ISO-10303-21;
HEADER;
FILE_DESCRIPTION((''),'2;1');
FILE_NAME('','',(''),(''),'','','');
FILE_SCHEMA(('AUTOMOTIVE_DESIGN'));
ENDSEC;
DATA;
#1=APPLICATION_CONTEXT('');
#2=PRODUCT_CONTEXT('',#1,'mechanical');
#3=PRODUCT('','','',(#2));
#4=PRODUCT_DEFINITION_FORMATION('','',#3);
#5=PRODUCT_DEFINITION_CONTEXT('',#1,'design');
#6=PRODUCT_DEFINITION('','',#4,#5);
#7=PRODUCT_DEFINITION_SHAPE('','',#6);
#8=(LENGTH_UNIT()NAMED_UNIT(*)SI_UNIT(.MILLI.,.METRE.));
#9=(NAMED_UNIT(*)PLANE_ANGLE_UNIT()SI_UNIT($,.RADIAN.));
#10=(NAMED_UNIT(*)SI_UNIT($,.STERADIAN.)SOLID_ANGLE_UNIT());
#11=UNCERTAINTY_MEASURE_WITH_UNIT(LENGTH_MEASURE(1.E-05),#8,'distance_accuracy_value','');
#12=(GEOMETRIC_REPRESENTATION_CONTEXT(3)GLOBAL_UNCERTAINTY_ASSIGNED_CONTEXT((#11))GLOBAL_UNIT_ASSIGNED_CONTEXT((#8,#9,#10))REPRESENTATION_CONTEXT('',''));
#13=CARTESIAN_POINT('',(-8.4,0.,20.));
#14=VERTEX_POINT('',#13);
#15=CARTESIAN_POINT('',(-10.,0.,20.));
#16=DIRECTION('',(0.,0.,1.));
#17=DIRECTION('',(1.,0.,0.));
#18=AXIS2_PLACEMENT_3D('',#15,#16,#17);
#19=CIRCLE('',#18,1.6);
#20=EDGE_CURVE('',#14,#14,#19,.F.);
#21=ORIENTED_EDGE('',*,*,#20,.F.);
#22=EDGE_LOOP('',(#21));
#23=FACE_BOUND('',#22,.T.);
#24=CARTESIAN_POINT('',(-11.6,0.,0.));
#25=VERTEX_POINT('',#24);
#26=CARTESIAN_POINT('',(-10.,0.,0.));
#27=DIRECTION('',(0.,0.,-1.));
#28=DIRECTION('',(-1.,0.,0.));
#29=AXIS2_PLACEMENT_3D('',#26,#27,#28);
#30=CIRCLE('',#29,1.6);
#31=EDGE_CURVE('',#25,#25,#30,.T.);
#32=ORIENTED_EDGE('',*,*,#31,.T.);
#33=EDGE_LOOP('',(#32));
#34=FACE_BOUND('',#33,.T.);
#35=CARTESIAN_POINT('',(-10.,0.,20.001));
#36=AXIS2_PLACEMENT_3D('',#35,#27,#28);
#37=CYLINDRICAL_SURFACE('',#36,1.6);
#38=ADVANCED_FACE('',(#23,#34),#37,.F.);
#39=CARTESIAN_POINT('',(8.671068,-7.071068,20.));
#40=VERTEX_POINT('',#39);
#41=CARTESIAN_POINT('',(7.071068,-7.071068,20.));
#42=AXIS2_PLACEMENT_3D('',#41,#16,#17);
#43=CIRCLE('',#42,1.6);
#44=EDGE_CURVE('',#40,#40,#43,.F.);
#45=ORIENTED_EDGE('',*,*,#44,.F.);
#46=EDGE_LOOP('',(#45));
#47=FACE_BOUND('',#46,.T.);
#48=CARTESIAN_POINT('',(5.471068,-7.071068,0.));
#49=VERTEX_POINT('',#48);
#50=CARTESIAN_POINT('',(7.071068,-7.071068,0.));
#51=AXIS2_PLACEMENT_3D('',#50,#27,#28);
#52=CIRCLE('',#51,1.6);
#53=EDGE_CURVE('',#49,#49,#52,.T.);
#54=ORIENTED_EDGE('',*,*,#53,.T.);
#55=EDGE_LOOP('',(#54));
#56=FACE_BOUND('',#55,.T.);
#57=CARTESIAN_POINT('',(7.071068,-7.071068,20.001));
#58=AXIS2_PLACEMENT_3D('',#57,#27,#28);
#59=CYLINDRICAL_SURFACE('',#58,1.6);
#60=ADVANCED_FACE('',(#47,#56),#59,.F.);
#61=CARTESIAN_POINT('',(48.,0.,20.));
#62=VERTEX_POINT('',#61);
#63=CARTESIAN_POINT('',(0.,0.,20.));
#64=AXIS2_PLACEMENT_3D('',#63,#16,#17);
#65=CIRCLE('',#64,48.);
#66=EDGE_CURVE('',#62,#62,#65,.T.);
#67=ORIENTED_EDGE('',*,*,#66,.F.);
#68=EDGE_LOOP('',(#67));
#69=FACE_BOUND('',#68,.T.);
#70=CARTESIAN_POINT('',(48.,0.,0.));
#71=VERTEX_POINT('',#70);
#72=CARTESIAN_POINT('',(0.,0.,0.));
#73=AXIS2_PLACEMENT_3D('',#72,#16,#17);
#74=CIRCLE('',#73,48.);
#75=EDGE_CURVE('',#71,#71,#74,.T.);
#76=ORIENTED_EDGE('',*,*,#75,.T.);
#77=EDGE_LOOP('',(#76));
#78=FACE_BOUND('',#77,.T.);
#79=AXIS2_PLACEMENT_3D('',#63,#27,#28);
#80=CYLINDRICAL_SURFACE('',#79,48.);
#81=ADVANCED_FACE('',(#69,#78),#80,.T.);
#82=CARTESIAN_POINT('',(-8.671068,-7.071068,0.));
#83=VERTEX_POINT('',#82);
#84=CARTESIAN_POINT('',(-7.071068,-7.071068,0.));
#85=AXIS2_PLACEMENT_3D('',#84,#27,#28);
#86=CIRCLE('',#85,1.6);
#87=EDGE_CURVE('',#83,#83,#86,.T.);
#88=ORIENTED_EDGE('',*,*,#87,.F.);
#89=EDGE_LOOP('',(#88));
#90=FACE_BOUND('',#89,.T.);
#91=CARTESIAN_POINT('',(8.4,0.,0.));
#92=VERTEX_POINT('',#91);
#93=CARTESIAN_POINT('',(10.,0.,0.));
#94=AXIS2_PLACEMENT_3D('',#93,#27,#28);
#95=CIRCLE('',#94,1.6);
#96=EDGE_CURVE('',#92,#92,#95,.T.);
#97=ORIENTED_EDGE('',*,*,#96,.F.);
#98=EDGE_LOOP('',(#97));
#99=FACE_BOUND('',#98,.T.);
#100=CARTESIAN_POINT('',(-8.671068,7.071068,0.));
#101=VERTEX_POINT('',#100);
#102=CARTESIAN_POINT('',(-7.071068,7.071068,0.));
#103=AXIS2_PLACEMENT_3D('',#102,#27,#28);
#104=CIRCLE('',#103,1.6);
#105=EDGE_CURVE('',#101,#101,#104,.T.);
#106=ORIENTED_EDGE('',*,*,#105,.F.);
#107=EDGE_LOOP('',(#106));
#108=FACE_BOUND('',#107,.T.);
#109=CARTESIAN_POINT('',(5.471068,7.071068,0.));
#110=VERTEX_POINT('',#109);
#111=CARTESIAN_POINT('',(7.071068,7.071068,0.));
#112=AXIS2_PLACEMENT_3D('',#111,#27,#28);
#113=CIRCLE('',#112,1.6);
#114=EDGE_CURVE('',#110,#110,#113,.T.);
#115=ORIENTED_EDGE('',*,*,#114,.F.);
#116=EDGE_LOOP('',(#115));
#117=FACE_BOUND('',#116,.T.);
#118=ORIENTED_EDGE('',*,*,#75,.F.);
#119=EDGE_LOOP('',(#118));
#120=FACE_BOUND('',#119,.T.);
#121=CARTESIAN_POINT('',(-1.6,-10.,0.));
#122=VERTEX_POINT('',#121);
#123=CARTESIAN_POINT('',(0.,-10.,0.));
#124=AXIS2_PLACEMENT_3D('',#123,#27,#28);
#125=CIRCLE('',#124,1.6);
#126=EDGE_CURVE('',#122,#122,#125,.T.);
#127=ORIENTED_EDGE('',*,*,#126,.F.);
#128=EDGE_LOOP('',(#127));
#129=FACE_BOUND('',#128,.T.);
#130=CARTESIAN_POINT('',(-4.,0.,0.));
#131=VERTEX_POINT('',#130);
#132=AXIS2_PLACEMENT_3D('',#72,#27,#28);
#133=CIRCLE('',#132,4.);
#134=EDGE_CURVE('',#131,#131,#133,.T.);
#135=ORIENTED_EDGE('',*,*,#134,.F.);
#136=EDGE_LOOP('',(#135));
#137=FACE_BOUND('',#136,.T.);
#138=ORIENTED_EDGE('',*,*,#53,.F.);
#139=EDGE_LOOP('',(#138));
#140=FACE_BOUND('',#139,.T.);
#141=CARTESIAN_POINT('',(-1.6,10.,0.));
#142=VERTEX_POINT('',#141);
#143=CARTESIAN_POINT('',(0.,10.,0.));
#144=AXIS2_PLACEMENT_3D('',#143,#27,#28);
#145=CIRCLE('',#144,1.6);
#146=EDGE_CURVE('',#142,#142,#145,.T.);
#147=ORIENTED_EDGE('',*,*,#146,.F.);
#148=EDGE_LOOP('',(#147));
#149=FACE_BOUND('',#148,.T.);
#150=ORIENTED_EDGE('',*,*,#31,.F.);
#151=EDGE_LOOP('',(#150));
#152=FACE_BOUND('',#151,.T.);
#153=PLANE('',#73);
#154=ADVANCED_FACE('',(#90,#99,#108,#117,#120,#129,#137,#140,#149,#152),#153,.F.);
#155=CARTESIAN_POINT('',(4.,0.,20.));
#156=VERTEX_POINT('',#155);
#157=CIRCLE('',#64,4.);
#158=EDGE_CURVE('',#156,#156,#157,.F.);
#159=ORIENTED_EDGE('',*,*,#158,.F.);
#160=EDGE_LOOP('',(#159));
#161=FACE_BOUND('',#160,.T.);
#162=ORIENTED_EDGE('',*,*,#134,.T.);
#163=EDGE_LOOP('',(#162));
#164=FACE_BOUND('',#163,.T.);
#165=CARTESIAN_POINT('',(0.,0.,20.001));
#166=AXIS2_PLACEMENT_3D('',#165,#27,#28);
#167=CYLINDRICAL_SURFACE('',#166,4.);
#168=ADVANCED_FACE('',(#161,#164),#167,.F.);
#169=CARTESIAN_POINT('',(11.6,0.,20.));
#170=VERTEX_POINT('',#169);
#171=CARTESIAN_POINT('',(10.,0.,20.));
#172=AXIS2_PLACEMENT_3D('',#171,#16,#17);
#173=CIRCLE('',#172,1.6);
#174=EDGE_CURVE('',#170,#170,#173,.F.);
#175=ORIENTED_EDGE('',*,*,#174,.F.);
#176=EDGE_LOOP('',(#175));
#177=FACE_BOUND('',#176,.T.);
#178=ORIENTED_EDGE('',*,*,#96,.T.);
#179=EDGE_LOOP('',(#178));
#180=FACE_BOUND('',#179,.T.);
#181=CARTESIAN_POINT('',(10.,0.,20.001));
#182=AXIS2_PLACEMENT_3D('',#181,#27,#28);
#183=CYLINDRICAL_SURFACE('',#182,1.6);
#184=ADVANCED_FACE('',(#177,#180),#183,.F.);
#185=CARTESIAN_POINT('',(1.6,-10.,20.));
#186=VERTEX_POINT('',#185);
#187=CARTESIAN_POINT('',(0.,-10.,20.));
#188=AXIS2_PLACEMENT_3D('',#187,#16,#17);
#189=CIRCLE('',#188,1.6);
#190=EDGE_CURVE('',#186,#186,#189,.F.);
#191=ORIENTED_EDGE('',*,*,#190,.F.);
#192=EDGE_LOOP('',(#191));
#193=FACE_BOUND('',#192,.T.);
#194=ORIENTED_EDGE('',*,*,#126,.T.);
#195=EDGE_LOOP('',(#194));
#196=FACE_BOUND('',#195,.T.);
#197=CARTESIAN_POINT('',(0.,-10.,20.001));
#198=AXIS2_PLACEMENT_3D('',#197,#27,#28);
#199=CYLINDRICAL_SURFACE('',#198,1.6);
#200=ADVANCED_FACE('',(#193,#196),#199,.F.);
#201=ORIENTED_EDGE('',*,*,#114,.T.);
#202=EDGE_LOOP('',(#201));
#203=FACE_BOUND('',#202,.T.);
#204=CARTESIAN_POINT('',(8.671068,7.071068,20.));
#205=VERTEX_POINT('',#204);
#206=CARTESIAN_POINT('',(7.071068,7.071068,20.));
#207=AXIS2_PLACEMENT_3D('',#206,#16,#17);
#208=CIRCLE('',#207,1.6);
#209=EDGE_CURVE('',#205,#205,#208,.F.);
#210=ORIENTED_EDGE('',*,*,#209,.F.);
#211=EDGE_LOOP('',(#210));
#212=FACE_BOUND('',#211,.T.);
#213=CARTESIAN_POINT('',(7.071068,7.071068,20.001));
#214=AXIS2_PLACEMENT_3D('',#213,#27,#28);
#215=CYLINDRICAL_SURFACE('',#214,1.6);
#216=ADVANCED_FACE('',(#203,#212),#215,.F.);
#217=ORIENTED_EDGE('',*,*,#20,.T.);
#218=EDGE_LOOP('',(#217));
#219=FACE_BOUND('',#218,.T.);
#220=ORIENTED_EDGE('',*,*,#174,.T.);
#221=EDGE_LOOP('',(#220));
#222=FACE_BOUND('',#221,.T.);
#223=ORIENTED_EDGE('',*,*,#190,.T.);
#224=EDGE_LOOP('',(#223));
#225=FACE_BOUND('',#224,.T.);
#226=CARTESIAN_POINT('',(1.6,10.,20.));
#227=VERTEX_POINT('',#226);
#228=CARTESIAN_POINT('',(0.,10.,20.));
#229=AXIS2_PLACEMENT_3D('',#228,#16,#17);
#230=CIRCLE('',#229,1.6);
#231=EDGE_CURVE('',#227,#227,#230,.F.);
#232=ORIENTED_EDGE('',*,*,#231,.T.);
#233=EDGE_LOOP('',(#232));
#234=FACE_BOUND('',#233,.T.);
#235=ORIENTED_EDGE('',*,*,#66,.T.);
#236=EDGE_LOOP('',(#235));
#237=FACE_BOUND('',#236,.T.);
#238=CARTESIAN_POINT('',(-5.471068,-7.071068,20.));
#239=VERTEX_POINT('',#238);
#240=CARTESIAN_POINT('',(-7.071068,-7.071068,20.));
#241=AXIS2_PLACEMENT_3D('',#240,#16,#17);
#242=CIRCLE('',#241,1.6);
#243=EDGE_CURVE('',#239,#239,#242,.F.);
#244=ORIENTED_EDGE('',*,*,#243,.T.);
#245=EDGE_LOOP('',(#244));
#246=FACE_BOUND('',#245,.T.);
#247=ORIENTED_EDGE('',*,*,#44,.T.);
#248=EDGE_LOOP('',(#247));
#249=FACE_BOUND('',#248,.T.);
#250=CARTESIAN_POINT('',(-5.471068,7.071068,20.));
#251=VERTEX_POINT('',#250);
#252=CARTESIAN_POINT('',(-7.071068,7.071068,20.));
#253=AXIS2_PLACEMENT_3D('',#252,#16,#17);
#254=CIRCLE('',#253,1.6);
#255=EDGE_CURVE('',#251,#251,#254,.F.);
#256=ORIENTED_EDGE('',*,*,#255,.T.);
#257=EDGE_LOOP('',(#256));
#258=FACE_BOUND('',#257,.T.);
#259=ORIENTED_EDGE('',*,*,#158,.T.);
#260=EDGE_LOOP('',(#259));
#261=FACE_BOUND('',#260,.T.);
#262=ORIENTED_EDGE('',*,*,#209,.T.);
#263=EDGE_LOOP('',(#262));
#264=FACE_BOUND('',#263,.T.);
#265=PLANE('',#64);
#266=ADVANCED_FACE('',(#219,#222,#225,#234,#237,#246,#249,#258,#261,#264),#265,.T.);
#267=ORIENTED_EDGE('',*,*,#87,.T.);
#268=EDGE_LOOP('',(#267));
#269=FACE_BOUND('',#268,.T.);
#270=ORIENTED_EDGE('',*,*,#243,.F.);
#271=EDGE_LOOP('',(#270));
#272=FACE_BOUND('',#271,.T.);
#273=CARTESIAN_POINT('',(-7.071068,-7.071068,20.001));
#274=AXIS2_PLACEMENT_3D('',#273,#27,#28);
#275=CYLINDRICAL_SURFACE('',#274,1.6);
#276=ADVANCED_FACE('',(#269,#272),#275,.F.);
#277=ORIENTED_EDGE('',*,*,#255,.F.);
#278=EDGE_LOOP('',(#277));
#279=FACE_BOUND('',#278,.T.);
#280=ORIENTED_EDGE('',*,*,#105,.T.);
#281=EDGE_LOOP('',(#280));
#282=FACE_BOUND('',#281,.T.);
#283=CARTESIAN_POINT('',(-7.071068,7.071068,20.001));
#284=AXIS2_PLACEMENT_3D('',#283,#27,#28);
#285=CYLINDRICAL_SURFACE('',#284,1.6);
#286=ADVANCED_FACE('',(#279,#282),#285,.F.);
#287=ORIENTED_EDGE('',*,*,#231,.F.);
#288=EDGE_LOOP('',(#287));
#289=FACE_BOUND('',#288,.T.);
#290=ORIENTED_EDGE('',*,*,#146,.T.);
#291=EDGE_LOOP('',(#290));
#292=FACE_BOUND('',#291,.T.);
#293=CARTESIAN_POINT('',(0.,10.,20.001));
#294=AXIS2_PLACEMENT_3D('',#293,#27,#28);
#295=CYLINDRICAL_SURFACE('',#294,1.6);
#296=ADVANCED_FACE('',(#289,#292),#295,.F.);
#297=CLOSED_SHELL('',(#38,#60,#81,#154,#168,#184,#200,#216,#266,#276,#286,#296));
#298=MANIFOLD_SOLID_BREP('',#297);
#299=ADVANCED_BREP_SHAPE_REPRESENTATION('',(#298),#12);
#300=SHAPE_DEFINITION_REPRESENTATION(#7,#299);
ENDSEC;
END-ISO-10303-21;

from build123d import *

# Parameters (mm, degrees)
SKETCH1_R           = 48
BOSS_EXTRUDE1_DEPTH = 20
CUT_EXTRUDE1_REACH  = 72.767
SKETCH2_R           = 4
SKETCH2_R_2         = 1.6


with BuildPart() as part:
    # Sketch1 → Boss-Extrude1 (new body)
    with BuildSketch(Plane.XY):
        Circle(SKETCH1_R)
    extrude(amount=BOSS_EXTRUDE1_DEPTH)

    # Sketch2 → Cut-Extrude1 (cut, up to next)
    with BuildSketch(Plane(origin=(0, 0, 0), x_dir=(-1, 0, 0), z_dir=(0, 0, -1)), mode=Mode.PRIVATE) as cut_extrude1_sk1:
        Circle(SKETCH2_R)
    cut_extrude1_tool1 = extrude(cut_extrude1_sk1.sketch, amount=-CUT_EXTRUDE1_REACH, mode=Mode.PRIVATE) & part.part
    # Sketch2 → Cut-Extrude1 (cut, up to next)
    with BuildSketch(Plane(origin=(0, 0, 0), x_dir=(-1, 0, 0), z_dir=(0, 0, -1)), mode=Mode.PRIVATE) as cut_extrude1_sk2:
        with Locations((0, 10)):
            Circle(SKETCH2_R_2)
    cut_extrude1_tool2 = extrude(cut_extrude1_sk2.sketch, amount=-CUT_EXTRUDE1_REACH, mode=Mode.PRIVATE) & part.part
    # Sketch2 → Cut-Extrude1 (cut, up to next)
    with BuildSketch(Plane(origin=(0, 0, 0), x_dir=(-1, 0, 0), z_dir=(0, 0, -1)), mode=Mode.PRIVATE) as cut_extrude1_sk3:
        with Locations((7.071067812, 7.071067812)):
            Circle(SKETCH2_R_2)
    cut_extrude1_tool3 = extrude(cut_extrude1_sk3.sketch, amount=-CUT_EXTRUDE1_REACH, mode=Mode.PRIVATE) & part.part
    # Sketch2 → Cut-Extrude1 (cut, up to next)
    with BuildSketch(Plane(origin=(0, 0, 0), x_dir=(-1, 0, 0), z_dir=(0, 0, -1)), mode=Mode.PRIVATE) as cut_extrude1_sk4:
        with Locations((10, 0)):
            Circle(SKETCH2_R_2)
    cut_extrude1_tool4 = extrude(cut_extrude1_sk4.sketch, amount=-CUT_EXTRUDE1_REACH, mode=Mode.PRIVATE) & part.part
    # Sketch2 → Cut-Extrude1 (cut, up to next)
    with BuildSketch(Plane(origin=(0, 0, 0), x_dir=(-1, 0, 0), z_dir=(0, 0, -1)), mode=Mode.PRIVATE) as cut_extrude1_sk5:
        with Locations((7.071067812, -7.071067812)):
            Circle(SKETCH2_R_2)
    cut_extrude1_tool5 = extrude(cut_extrude1_sk5.sketch, amount=-CUT_EXTRUDE1_REACH, mode=Mode.PRIVATE) & part.part
    # Sketch2 → Cut-Extrude1 (cut, up to next)
    with BuildSketch(Plane(origin=(0, 0, 0), x_dir=(-1, 0, 0), z_dir=(0, 0, -1)), mode=Mode.PRIVATE) as cut_extrude1_sk6:
        with Locations((0, -10)):
            Circle(SKETCH2_R_2)
    cut_extrude1_tool6 = extrude(cut_extrude1_sk6.sketch, amount=-CUT_EXTRUDE1_REACH, mode=Mode.PRIVATE) & part.part
    # Sketch2 → Cut-Extrude1 (cut, up to next)
    with BuildSketch(Plane(origin=(0, 0, 0), x_dir=(-1, 0, 0), z_dir=(0, 0, -1)), mode=Mode.PRIVATE) as cut_extrude1_sk7:
        with Locations((-7.071067812, -7.071067812)):
            Circle(SKETCH2_R_2)
    cut_extrude1_tool7 = extrude(cut_extrude1_sk7.sketch, amount=-CUT_EXTRUDE1_REACH, mode=Mode.PRIVATE) & part.part
    # Sketch2 → Cut-Extrude1 (cut, up to next)
    with BuildSketch(Plane(origin=(0, 0, 0), x_dir=(-1, 0, 0), z_dir=(0, 0, -1)), mode=Mode.PRIVATE) as cut_extrude1_sk8:
        with Locations((-10, 0)):
            Circle(SKETCH2_R_2)
    cut_extrude1_tool8 = extrude(cut_extrude1_sk8.sketch, amount=-CUT_EXTRUDE1_REACH, mode=Mode.PRIVATE) & part.part
    # Sketch2 → Cut-Extrude1 (cut, up to next)
    with BuildSketch(Plane(origin=(0, 0, 0), x_dir=(-1, 0, 0), z_dir=(0, 0, -1)), mode=Mode.PRIVATE) as cut_extrude1_sk9:
        with Locations((-7.071067812, 7.071067812)):
            Circle(SKETCH2_R_2)
    cut_extrude1_tool9 = extrude(cut_extrude1_sk9.sketch, amount=-CUT_EXTRUDE1_REACH, mode=Mode.PRIVATE) & part.part
    add(cut_extrude1_tool1.solids().sort_by_distance((0, 0, 0))[0], mode=Mode.SUBTRACT)
    add(cut_extrude1_tool2.solids().sort_by_distance((0, 10, 0))[0], mode=Mode.SUBTRACT)
    add(cut_extrude1_tool3.solids().sort_by_distance((-7.071068, 7.071068, 0))[0], mode=Mode.SUBTRACT)
    add(cut_extrude1_tool4.solids().sort_by_distance((-10, 0, 0))[0], mode=Mode.SUBTRACT)
    add(cut_extrude1_tool5.solids().sort_by_distance((-7.071068, -7.071068, 0))[0], mode=Mode.SUBTRACT)
    add(cut_extrude1_tool6.solids().sort_by_distance((0, -10, 0))[0], mode=Mode.SUBTRACT)
    add(cut_extrude1_tool7.solids().sort_by_distance((7.071068, -7.071068, 0))[0], mode=Mode.SUBTRACT)
    add(cut_extrude1_tool8.solids().sort_by_distance((10, 0, 0))[0], mode=Mode.SUBTRACT)
    add(cut_extrude1_tool9.solids().sort_by_distance((7.071068, 7.071068, 0))[0], mode=Mode.SUBTRACT)


solid = part.part
